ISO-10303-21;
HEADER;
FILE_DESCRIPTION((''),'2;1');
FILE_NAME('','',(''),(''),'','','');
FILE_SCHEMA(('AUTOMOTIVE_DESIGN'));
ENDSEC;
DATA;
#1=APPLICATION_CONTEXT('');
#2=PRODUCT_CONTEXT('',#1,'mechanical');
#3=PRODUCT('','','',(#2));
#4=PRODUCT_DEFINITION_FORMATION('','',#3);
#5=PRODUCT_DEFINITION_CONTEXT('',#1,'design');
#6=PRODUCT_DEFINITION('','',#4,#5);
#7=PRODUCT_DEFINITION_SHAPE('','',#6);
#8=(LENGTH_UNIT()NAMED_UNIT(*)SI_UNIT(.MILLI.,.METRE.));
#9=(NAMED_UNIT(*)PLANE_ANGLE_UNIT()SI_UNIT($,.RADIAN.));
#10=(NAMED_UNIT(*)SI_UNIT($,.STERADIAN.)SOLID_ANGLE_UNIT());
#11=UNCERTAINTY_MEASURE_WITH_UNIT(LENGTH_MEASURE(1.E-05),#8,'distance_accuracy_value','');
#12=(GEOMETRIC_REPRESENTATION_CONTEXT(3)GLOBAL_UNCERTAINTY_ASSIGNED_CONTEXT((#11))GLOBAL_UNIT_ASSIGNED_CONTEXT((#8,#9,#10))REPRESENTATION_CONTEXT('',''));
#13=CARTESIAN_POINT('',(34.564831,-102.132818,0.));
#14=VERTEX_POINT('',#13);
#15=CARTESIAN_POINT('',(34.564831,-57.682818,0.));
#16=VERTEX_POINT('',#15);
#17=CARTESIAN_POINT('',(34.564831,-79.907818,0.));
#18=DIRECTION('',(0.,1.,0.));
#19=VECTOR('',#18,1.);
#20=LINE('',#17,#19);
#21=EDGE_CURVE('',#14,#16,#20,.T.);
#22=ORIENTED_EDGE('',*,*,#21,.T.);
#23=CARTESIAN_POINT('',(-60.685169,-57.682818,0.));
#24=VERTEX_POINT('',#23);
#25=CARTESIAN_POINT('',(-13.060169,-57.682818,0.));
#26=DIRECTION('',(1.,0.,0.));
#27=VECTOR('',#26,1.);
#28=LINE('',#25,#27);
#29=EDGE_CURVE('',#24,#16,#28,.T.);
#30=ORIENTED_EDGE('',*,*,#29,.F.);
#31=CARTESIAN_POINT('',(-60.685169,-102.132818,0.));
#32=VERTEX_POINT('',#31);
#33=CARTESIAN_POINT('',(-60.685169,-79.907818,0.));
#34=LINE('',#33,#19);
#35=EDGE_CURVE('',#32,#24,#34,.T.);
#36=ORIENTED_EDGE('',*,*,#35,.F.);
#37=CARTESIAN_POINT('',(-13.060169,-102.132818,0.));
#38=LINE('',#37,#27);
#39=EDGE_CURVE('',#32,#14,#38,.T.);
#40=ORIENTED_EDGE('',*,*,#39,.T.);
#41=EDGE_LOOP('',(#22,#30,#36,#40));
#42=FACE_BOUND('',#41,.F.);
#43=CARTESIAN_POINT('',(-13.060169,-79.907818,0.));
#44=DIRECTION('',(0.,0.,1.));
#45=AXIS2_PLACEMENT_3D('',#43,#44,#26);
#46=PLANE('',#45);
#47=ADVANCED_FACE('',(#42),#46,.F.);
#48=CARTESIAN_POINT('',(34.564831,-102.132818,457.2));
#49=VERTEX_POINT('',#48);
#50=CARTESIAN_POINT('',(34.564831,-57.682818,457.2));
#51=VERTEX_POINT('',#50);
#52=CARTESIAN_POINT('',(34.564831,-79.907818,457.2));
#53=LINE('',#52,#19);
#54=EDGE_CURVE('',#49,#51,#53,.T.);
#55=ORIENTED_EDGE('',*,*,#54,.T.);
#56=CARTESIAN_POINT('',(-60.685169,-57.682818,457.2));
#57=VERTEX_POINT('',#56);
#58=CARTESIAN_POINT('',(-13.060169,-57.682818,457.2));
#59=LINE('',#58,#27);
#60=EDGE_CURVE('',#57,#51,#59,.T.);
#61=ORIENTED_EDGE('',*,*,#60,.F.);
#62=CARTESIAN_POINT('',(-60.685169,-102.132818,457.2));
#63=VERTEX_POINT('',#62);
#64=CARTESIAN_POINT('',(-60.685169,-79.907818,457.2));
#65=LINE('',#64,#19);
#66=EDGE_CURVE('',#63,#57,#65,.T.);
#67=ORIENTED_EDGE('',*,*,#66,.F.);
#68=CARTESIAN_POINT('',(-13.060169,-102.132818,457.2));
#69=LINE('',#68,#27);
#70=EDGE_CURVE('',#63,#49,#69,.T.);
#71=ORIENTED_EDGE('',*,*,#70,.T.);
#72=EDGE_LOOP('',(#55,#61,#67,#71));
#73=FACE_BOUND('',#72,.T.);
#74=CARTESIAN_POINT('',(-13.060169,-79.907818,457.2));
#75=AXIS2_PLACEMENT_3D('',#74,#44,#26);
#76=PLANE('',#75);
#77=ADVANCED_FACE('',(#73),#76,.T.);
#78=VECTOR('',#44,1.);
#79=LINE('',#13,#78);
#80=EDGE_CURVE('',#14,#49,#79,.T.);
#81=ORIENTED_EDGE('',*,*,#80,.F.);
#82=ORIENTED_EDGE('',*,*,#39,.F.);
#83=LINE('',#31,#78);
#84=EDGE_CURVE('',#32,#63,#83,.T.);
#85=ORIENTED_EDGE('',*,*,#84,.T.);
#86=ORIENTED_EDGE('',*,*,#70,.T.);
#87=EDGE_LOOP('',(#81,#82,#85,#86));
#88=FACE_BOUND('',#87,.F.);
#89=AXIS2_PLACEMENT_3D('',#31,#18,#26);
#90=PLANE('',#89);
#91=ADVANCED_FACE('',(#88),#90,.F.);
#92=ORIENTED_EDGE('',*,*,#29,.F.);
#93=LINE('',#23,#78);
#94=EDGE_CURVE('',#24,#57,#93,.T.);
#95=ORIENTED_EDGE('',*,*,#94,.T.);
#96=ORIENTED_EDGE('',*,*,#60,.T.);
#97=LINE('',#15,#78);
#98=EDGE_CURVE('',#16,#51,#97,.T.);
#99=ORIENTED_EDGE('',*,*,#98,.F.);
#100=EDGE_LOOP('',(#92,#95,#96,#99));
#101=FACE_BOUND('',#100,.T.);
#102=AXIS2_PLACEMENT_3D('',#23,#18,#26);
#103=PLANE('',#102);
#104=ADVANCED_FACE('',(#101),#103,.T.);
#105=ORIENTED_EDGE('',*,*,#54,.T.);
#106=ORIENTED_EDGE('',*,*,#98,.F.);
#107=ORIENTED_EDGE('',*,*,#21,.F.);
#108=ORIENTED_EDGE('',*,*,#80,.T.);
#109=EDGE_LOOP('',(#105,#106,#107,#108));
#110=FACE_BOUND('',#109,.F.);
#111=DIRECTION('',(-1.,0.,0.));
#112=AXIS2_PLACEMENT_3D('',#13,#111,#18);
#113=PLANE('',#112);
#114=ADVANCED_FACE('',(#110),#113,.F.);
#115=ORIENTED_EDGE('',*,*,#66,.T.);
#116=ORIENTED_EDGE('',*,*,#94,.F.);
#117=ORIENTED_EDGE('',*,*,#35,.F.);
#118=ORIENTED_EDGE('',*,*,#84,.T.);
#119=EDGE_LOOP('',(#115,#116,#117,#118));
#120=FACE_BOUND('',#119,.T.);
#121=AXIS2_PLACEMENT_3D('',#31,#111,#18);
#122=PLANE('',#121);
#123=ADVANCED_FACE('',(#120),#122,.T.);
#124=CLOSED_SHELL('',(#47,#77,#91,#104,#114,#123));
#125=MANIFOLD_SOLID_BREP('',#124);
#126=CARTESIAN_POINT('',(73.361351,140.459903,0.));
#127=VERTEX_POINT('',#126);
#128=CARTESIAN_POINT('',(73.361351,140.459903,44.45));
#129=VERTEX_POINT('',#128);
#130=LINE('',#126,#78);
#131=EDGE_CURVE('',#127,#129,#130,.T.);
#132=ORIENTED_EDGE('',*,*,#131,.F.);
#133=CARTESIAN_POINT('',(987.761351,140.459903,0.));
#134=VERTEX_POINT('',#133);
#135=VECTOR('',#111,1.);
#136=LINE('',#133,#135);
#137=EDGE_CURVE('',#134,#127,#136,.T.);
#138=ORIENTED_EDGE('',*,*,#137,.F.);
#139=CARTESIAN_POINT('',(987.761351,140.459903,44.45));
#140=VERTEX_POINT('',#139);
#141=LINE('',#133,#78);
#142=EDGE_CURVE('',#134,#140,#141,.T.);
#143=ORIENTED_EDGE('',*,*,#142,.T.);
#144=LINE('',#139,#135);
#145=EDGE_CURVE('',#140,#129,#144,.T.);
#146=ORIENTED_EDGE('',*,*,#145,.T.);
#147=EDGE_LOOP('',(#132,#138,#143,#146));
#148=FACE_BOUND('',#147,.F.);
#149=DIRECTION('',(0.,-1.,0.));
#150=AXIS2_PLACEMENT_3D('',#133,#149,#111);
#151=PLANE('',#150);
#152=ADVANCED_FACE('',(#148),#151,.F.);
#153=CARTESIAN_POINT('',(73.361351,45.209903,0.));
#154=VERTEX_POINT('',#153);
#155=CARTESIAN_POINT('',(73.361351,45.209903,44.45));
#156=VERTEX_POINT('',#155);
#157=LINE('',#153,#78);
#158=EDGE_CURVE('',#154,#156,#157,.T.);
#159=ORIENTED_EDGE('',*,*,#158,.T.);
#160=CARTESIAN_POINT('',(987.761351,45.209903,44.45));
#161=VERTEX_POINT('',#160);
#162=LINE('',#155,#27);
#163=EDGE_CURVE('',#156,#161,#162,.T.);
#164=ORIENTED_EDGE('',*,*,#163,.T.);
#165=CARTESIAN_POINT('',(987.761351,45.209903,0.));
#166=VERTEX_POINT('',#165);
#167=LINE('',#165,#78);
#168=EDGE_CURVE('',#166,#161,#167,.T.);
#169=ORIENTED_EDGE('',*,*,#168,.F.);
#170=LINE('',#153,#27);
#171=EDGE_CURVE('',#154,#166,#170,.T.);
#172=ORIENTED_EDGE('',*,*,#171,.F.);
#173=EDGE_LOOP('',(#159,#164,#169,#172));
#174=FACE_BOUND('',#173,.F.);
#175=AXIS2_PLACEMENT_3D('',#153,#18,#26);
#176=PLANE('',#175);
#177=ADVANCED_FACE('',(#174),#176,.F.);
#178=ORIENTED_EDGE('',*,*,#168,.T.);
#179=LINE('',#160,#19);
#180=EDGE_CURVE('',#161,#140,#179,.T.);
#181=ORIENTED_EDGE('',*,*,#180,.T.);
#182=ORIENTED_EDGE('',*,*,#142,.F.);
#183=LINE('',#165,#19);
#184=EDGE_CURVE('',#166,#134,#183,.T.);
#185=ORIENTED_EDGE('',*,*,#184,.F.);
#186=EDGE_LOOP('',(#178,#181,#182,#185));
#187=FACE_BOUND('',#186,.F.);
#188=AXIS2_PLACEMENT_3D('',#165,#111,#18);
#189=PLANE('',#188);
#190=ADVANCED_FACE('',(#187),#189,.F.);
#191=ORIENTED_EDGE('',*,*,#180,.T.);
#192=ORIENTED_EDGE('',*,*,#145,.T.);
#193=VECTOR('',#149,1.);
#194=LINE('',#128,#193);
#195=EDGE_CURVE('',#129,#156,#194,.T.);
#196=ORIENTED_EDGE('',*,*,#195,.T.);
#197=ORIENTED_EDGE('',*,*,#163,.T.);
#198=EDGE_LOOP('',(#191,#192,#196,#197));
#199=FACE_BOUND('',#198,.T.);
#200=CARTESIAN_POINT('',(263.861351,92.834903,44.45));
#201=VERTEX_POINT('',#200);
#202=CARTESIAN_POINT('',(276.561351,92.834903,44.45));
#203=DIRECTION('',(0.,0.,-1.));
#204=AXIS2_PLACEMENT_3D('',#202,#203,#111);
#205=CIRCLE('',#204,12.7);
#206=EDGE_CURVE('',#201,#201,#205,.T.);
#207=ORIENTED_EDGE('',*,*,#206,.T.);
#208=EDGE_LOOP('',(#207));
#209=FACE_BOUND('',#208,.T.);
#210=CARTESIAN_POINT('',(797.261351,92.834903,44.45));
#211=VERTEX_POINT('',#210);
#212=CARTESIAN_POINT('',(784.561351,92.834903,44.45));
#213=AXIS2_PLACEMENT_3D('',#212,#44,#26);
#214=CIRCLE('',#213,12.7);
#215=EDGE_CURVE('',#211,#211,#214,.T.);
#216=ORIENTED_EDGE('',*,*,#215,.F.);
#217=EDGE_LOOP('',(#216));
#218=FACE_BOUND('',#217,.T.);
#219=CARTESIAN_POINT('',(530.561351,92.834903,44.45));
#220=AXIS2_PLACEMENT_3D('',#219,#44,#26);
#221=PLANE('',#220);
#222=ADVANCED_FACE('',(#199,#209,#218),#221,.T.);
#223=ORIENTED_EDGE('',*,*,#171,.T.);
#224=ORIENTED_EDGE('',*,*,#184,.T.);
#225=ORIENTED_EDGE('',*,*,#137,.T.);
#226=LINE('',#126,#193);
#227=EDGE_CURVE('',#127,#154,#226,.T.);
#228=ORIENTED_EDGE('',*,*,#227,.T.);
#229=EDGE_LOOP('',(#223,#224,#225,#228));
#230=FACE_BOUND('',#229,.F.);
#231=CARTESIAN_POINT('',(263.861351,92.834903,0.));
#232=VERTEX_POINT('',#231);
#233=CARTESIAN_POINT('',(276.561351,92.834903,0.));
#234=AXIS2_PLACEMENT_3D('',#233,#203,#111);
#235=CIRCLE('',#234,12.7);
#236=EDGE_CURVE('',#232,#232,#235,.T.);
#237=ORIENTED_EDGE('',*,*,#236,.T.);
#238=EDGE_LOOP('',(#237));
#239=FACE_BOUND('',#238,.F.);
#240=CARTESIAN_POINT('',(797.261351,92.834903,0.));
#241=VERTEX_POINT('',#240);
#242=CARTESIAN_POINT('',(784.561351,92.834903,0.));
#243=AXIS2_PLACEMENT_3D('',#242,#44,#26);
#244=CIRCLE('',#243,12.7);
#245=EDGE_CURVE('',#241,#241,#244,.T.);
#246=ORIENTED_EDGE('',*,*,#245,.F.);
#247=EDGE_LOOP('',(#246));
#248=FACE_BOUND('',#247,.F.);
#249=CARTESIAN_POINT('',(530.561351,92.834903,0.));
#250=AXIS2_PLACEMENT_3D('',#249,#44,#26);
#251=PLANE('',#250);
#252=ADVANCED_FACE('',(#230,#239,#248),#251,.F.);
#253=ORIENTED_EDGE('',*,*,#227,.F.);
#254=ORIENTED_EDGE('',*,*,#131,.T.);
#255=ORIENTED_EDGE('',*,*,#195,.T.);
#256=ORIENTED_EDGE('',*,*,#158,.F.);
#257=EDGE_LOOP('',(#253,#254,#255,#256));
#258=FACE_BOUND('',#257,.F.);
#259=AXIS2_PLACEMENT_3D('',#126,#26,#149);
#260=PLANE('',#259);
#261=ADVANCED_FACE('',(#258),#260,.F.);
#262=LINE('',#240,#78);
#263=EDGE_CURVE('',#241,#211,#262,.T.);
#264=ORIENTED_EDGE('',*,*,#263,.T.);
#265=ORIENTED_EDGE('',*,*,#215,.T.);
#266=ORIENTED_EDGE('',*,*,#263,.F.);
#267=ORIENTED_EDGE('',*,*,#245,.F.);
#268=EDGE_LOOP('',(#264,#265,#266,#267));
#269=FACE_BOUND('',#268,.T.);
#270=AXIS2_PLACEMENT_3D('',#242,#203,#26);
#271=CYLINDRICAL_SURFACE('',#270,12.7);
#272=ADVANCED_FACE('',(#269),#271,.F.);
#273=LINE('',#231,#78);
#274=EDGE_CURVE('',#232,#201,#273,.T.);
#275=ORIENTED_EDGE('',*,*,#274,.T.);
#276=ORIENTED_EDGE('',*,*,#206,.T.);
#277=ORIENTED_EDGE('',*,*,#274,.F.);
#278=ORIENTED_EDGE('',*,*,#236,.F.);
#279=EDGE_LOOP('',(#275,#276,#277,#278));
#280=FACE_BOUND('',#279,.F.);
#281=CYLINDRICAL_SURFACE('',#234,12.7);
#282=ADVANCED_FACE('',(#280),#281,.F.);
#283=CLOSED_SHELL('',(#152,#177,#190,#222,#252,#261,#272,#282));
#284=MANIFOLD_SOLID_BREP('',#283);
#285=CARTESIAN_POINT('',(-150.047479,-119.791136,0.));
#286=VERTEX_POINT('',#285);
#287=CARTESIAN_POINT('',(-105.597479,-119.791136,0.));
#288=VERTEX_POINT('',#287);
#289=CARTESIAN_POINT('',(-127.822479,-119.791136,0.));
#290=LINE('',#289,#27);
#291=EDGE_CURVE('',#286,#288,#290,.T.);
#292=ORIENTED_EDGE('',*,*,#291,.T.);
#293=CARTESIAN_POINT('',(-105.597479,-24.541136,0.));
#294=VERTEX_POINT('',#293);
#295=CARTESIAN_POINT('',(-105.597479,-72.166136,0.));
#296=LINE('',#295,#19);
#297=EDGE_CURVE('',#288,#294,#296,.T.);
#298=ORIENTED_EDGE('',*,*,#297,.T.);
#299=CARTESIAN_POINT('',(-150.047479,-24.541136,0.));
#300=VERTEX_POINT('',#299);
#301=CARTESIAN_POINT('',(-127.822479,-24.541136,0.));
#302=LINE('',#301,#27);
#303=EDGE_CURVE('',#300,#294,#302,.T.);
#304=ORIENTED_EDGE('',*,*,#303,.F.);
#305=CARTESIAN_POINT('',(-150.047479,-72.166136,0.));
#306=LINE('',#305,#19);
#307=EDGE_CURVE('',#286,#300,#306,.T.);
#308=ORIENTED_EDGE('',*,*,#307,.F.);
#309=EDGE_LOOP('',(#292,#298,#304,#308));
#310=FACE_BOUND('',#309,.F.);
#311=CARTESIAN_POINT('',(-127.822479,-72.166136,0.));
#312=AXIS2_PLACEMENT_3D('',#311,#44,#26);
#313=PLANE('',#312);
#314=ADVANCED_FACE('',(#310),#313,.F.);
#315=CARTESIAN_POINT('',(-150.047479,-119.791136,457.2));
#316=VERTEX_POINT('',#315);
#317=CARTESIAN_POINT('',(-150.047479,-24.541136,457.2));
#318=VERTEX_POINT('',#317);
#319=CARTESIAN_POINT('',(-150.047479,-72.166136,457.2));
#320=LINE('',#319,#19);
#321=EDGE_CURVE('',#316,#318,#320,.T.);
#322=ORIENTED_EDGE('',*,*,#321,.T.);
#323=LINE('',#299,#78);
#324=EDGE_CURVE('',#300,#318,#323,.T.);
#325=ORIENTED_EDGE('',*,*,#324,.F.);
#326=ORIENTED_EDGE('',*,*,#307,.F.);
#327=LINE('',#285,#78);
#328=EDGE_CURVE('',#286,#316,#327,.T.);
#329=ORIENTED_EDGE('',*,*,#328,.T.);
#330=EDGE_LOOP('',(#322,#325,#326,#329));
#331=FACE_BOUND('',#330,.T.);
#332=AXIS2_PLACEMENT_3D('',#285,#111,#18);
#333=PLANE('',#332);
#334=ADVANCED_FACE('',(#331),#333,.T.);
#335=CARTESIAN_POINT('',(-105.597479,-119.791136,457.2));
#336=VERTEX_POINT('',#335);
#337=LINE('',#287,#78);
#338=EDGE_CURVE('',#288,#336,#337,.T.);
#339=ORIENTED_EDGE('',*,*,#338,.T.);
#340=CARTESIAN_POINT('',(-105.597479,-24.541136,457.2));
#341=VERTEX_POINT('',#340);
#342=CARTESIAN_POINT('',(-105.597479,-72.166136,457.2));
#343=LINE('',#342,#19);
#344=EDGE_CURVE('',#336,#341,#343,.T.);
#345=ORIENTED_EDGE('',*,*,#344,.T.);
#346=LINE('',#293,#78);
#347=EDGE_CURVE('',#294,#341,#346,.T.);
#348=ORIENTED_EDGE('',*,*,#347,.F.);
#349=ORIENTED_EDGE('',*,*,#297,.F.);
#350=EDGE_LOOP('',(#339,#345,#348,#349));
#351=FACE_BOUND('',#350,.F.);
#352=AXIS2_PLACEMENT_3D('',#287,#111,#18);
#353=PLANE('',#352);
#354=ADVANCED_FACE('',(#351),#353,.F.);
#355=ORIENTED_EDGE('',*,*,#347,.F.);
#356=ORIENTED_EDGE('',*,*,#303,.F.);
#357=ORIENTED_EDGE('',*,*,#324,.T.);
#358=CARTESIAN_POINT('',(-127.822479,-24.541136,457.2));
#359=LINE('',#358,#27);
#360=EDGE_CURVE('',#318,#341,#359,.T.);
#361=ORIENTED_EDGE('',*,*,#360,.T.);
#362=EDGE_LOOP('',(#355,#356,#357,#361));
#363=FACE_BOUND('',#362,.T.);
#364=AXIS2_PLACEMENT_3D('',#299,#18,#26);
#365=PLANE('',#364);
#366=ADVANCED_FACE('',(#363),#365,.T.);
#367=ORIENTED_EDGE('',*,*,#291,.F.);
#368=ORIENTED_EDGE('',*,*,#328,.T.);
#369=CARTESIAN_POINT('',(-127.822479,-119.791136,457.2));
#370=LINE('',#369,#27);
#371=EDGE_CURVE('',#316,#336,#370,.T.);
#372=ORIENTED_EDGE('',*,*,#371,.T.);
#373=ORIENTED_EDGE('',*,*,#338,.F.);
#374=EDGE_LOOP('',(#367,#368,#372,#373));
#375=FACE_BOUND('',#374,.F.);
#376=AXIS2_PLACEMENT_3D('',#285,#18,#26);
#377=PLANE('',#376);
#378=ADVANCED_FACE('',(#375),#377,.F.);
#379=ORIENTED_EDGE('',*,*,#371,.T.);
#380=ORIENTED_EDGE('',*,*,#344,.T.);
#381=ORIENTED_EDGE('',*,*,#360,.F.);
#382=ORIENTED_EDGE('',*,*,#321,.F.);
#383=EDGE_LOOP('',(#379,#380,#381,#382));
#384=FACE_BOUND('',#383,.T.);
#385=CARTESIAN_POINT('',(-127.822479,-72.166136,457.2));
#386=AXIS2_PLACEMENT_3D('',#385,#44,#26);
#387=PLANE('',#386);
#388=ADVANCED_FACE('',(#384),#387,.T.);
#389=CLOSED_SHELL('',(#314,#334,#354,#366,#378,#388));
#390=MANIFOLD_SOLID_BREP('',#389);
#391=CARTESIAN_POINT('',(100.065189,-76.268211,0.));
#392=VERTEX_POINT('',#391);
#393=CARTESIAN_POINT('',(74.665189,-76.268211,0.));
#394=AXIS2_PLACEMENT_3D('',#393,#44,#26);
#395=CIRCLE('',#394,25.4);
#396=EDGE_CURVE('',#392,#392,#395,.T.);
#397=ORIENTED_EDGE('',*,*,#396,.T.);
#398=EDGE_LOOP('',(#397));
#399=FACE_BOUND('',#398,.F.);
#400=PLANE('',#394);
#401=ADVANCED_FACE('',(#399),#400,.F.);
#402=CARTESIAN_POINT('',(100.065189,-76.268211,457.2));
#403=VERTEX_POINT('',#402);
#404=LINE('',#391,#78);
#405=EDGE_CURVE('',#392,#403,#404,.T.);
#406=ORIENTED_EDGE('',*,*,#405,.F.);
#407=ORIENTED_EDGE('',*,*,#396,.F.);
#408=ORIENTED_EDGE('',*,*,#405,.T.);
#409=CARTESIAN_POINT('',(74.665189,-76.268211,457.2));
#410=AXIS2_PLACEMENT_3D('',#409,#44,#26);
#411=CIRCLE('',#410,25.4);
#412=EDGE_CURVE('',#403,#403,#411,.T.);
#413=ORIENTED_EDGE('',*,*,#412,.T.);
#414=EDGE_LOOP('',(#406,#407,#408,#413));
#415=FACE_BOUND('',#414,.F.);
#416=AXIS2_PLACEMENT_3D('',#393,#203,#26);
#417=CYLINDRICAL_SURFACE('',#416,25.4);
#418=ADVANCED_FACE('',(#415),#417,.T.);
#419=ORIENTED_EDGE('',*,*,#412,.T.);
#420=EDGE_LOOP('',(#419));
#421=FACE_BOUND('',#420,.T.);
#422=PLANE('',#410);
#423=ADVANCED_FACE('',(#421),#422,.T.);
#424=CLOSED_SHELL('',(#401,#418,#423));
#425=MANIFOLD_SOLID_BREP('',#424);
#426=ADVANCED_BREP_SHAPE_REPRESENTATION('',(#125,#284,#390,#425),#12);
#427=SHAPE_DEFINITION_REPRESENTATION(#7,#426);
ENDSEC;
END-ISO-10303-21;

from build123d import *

# Parameters (mm, degrees)
F0_R     = 12.7
F1_DEPTH = 44.45
F2_W     = 95.25
F2_H     = 44.45
F3_DEPTH = 457.2
F4_W     = 44.45
F4_H     = 95.25
F5_DEPTH = 457.2
F6_R     = 25.4
F7_DEPTH = 457.2


with BuildPart() as f1:
    # F0 (on Top) → F1 (new body)
    with BuildSketch(Plane.XY):
        Polygon((987.761351, 140.459903), (73.361351, 140.459903), (73.361351, 92.834903), (73.361351, 45.209903), (987.761351, 45.209903), (987.761351, 92.834903), align=None)
        with BuildLine():
            ThreePointArc((289.261351, 92.834903), (276.561351, 80.134903), (263.861351, 92.834903))
            ThreePointArc((263.861351, 92.834903), (276.561351, 105.534903), (289.261351, 92.834903))
        make_face(mode=Mode.SUBTRACT)
        with Locations((784.561351, 92.834903)):
            Circle(F0_R, mode=Mode.SUBTRACT)
    extrude(amount=F1_DEPTH)


with BuildPart() as f3:
    # F2 (on Top) → F3 (new body)
    with BuildSketch(Plane.XY):
        with Locations((-13.060169, -79.907818)):
            Rectangle(F2_W, F2_H)
    extrude(amount=F3_DEPTH)


with BuildPart() as f5:
    # F4 (on Top) → F5 (new body)
    with BuildSketch(Plane.XY):
        with Locations((-127.822479, -72.166136)):
            Rectangle(F4_W, F4_H)
    extrude(amount=F5_DEPTH)


with BuildPart() as f7:
    # F6 (on Top) → F7 (new body)
    with BuildSketch(Plane.XY):
        with Locations((74.665189, -76.268211)):
            Circle(F6_R)
    extrude(amount=F7_DEPTH)


solid = Compound([f1.part, f3.part, f5.part, f7.part])
